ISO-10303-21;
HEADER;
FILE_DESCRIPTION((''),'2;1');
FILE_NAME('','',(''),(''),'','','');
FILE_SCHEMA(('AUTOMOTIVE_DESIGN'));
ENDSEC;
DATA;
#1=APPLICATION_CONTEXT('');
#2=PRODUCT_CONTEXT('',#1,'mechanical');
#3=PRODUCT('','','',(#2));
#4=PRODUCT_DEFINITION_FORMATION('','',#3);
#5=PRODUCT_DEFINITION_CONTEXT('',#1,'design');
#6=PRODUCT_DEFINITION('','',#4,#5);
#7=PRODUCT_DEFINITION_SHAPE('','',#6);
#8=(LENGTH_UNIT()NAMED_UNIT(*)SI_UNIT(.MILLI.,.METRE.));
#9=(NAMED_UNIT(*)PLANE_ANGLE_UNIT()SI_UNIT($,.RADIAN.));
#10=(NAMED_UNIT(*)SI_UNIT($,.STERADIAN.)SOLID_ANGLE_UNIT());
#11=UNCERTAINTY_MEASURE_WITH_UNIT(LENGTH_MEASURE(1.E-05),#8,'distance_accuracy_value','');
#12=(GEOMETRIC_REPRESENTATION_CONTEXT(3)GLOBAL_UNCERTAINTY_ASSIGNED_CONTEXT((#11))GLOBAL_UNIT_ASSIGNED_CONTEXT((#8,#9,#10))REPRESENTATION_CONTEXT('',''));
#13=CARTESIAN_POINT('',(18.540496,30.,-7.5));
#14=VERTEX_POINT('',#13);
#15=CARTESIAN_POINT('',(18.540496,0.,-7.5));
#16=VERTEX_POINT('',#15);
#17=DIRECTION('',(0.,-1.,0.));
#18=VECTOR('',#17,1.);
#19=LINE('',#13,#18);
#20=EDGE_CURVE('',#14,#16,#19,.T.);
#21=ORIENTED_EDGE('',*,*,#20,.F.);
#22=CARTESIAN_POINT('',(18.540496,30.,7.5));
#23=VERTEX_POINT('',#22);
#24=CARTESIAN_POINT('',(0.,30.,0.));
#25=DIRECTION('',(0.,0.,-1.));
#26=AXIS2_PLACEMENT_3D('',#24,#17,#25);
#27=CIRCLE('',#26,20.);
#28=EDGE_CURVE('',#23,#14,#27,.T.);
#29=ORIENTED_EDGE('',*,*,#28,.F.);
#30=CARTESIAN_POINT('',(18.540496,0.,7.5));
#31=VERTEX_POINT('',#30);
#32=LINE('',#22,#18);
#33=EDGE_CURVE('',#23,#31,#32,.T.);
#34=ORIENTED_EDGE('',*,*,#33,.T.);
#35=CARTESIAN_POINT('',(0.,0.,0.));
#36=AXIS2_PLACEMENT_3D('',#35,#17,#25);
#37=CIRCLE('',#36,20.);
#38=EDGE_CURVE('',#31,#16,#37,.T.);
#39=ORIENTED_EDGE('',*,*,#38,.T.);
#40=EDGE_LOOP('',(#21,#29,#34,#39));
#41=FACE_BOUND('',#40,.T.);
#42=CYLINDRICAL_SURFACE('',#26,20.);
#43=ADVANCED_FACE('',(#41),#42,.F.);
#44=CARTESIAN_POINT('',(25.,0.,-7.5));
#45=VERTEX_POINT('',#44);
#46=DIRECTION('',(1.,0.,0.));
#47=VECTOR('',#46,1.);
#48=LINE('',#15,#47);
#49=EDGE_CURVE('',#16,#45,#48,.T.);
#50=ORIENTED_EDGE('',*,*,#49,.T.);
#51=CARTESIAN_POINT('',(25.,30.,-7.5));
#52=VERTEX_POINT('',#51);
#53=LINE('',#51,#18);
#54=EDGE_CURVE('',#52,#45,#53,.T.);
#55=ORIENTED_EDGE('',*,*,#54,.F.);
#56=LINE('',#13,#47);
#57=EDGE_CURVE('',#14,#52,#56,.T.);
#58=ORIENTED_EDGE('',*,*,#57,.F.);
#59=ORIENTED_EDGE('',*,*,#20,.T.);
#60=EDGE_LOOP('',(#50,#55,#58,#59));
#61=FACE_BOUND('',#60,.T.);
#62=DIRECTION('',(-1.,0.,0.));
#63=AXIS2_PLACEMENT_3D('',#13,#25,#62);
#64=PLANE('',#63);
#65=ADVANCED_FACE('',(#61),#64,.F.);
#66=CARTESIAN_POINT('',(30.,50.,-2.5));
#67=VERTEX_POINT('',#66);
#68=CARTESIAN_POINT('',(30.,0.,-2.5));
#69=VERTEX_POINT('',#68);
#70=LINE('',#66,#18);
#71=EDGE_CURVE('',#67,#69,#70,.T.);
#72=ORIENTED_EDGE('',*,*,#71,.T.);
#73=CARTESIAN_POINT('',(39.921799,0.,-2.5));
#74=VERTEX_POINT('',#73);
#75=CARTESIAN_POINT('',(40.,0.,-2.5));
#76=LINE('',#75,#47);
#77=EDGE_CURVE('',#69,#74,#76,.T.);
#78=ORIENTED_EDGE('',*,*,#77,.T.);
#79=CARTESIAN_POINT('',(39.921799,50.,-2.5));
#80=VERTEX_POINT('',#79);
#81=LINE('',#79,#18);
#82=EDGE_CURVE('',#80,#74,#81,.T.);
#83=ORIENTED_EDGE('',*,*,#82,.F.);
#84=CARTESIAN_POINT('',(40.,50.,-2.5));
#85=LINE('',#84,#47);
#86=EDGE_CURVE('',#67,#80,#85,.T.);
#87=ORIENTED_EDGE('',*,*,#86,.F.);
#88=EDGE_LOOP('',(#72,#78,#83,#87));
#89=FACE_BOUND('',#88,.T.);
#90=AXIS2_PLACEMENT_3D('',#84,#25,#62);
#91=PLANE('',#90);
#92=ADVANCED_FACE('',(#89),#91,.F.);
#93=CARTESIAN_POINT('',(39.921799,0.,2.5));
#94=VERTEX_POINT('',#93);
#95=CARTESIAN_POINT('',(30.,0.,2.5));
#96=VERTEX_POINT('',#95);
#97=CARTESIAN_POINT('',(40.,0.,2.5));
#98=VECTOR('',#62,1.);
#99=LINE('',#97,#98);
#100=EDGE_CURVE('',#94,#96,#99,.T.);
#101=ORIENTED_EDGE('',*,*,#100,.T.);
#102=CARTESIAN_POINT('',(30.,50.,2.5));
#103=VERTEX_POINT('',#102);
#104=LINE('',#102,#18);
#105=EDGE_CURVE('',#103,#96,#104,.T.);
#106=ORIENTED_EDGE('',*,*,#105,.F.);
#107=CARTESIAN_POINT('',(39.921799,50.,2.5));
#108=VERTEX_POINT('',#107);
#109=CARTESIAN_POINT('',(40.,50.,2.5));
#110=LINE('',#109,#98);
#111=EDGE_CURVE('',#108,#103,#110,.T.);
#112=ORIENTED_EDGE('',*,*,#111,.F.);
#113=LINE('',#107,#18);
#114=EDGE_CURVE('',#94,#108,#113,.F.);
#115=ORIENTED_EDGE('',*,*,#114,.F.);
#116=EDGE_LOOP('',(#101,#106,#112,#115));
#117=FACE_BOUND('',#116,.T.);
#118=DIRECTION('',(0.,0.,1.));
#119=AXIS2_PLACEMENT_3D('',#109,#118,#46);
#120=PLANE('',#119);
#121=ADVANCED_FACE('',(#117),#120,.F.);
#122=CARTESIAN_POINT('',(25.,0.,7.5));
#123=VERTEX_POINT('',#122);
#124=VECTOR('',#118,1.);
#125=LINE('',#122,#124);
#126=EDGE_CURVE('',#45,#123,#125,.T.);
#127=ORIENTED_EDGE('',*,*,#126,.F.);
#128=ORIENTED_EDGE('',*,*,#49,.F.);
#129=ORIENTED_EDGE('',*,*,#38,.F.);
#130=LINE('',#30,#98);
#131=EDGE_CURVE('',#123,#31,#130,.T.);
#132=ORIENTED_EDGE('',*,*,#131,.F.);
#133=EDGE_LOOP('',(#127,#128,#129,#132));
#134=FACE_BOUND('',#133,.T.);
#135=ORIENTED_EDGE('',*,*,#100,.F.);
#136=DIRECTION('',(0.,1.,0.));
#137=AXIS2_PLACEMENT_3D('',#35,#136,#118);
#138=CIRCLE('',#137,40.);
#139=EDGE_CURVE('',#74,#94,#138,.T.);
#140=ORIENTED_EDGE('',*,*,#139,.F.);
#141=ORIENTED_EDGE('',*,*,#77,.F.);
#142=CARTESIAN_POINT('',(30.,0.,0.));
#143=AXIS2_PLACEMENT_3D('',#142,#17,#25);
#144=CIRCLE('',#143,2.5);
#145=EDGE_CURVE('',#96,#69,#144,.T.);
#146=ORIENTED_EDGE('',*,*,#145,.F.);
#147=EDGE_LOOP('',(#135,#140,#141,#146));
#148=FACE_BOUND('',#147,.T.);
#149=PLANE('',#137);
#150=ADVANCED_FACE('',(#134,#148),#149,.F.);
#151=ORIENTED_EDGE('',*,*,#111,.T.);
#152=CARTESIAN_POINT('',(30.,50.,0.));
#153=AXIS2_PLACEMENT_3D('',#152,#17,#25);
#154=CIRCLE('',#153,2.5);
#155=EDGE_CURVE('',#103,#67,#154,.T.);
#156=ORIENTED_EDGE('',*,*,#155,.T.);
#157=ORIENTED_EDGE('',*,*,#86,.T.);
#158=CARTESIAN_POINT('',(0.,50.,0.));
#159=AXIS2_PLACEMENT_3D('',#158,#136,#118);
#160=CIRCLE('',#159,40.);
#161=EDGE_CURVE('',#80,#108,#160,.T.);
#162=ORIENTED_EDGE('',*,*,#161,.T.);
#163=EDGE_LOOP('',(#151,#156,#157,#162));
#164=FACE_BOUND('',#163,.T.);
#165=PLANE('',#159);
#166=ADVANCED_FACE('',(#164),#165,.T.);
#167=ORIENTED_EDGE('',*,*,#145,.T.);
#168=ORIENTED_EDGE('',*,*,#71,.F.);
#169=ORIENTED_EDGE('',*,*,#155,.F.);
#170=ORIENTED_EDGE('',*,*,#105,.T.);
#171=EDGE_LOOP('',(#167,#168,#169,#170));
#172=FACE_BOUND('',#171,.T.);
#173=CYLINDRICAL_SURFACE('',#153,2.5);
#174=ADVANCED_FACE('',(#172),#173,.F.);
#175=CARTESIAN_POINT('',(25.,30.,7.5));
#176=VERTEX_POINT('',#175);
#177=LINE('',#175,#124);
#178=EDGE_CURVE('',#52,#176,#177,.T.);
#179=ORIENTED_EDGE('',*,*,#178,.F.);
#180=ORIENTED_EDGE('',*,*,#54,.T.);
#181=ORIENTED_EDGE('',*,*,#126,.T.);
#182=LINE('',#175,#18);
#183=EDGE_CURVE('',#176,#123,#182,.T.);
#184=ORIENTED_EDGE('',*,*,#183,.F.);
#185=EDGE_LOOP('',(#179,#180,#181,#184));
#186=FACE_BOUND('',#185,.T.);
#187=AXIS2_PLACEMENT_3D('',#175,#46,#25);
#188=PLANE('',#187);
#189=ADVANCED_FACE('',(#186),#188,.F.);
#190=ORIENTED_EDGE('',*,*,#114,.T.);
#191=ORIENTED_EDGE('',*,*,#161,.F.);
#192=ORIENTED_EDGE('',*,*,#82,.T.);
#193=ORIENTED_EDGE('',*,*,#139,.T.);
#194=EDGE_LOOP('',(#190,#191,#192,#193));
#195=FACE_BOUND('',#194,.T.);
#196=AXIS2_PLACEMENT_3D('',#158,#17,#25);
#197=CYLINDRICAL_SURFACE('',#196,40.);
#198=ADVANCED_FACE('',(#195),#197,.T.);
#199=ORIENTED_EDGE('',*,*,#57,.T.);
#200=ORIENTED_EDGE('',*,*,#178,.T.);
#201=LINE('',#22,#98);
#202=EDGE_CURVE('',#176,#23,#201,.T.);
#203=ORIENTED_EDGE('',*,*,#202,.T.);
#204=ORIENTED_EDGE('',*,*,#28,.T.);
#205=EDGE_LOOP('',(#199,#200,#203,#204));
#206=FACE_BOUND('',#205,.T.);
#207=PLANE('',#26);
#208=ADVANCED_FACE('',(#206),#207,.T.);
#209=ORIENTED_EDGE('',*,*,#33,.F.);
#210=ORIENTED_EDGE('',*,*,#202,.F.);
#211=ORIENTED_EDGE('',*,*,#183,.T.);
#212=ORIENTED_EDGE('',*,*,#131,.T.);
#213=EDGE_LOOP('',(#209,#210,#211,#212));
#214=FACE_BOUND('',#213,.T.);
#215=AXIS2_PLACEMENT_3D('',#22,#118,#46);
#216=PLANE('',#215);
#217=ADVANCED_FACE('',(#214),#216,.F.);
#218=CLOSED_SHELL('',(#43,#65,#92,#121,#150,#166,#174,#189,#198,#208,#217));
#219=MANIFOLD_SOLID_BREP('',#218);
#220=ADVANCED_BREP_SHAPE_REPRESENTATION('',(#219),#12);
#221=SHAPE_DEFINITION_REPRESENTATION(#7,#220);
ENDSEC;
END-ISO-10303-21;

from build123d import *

# Parameters (mm, degrees)
SKETCH_1_R          = 40
EXTRUDE_1_DEPTH     = 50
CUT_EXTRUDE_1_DEPTH = 30
CUT_EXTRUDE_2_DEPTH = 76.498344353


with BuildPart() as part:
    # 草图1 → 凸台-拉伸1 (new body)
    with BuildSketch(Plane(origin=(0, 0, 0), x_dir=(1, 0, 0), z_dir=(0, 1, 0))):
        Circle(SKETCH_1_R)
    extrude(amount=EXTRUDE_1_DEPTH)

    # 草图2 → 切除-拉伸1 (cut)
    with BuildSketch(Plane.XZ):
        with BuildLine():
            Line((18.540496218, 7.5), (25, 7.5))
            Line((25, 7.5), (25, -7.5))
            Line((25, -7.5), (18.540496218, -7.5))
            ThreePointArc((18.540496218, -7.5), (-20, 0), (18.540496218, 7.5))
        make_face()
    extrude(amount=-CUT_EXTRUDE_1_DEPTH, mode=Mode.SUBTRACT)

    # 草图4 → 切除-拉伸2 (cut, through all)
    with BuildSketch(Plane.XZ):
        with BuildLine():
            Line((40, -2.5), (30, -2.5))
            ThreePointArc((30, -2.5), (27.5, 0), (30, 2.5))
            Line((30, 2.5), (40, 2.5))
            ThreePointArc((40, 2.5), (42.5, 0), (40, -2.5))
        make_face()
    extrude(amount=-CUT_EXTRUDE_2_DEPTH, mode=Mode.SUBTRACT)


solid = part.part
